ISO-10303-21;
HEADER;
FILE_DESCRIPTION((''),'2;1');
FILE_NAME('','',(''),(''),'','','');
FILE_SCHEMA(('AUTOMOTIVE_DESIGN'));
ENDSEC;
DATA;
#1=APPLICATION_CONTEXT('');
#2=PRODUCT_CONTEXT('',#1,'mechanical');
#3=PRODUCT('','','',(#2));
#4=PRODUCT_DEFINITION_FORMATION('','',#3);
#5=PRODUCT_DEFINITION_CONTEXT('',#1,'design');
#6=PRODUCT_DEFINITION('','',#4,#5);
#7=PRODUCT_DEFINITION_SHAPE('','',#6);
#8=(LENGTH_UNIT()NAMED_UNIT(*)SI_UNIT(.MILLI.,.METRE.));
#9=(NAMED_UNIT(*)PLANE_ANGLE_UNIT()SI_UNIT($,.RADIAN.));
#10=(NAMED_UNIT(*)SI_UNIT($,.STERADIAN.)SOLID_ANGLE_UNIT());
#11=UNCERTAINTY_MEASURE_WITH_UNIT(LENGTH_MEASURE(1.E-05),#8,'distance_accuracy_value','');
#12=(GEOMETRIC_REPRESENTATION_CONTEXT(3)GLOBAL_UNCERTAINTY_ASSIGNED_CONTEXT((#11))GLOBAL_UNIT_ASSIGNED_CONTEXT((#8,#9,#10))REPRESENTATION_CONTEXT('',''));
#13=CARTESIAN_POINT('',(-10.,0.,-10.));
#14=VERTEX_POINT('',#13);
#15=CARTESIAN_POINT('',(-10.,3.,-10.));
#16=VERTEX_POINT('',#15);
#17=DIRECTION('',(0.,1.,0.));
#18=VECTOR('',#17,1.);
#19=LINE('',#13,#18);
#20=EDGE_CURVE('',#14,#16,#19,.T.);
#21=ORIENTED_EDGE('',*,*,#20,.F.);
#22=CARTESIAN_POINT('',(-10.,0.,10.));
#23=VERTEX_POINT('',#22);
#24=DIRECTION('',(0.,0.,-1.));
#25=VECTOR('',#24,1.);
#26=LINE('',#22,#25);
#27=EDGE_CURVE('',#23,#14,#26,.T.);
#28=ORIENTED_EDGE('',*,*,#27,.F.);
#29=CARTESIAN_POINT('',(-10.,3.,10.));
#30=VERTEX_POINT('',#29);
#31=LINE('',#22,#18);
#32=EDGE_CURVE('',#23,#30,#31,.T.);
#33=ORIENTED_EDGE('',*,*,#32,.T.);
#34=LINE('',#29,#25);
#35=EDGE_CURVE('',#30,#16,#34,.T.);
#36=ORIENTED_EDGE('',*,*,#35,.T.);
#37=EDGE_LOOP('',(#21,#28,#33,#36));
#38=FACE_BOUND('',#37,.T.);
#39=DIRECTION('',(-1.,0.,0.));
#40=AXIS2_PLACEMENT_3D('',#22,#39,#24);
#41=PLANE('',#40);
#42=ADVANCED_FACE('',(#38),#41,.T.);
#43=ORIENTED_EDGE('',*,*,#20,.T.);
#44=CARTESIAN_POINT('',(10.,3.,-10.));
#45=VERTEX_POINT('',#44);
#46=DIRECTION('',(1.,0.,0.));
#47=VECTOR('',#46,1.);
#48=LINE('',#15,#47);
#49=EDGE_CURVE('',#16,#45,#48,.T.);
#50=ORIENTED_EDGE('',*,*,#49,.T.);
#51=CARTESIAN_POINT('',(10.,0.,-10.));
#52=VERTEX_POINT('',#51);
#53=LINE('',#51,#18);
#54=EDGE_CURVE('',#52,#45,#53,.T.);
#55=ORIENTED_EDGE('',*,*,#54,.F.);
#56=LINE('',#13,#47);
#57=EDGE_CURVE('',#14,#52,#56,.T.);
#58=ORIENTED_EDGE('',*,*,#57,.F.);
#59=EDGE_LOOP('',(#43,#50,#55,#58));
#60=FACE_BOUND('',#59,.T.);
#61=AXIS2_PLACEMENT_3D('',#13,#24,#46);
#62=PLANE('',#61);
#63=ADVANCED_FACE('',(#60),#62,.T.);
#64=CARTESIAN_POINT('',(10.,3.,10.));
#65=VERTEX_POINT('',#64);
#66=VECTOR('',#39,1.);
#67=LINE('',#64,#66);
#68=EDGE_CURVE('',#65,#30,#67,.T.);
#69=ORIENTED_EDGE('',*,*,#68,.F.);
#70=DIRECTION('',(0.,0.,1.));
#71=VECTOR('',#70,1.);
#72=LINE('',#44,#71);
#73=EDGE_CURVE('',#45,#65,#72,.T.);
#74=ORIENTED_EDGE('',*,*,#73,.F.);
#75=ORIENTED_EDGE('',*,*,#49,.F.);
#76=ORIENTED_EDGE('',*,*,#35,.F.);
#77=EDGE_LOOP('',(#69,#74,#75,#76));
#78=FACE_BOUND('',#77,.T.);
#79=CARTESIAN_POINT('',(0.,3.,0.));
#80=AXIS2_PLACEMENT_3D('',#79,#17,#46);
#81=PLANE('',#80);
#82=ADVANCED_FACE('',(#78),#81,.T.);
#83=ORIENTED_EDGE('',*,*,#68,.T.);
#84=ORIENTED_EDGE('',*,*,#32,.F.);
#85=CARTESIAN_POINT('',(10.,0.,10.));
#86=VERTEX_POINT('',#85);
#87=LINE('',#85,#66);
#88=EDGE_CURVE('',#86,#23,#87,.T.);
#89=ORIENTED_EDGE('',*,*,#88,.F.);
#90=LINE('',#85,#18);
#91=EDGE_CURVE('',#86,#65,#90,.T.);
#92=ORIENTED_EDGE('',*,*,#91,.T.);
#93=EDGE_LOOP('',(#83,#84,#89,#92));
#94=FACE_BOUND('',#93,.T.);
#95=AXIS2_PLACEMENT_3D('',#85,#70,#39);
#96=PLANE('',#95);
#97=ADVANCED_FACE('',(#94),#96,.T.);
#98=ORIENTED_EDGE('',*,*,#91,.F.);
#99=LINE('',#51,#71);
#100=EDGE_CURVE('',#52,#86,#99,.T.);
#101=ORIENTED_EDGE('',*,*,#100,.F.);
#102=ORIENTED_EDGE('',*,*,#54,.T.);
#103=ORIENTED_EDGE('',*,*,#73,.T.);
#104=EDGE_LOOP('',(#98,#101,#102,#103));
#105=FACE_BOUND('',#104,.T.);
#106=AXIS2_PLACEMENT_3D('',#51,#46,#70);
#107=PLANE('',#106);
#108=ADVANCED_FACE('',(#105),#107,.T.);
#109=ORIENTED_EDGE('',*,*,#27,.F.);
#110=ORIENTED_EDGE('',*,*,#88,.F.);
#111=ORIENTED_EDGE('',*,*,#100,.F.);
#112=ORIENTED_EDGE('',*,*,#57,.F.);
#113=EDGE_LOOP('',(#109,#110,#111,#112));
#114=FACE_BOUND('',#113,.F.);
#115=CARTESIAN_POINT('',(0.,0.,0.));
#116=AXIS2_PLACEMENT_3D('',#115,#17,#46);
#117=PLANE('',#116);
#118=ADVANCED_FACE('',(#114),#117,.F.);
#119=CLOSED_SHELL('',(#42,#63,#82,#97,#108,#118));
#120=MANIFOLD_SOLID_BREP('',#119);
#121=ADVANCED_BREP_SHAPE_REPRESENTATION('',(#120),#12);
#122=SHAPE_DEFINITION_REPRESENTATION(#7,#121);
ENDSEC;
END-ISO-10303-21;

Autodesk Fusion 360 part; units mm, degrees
sketch "Esquisse1" plane through (0, 0, 0) normal (0, 1, 0) x (1, 0, 0)
  line L0 (-10, 10) -> (10, 10)
  line L1 (10, 10) -> (10, -10)
  line L2 (10, -10) -> (-10, -10)
  line L3 (-10, -10) -> (-10, 10)
extrude "Extrusion1" add sketch "Esquisse1" along normal blind 3
